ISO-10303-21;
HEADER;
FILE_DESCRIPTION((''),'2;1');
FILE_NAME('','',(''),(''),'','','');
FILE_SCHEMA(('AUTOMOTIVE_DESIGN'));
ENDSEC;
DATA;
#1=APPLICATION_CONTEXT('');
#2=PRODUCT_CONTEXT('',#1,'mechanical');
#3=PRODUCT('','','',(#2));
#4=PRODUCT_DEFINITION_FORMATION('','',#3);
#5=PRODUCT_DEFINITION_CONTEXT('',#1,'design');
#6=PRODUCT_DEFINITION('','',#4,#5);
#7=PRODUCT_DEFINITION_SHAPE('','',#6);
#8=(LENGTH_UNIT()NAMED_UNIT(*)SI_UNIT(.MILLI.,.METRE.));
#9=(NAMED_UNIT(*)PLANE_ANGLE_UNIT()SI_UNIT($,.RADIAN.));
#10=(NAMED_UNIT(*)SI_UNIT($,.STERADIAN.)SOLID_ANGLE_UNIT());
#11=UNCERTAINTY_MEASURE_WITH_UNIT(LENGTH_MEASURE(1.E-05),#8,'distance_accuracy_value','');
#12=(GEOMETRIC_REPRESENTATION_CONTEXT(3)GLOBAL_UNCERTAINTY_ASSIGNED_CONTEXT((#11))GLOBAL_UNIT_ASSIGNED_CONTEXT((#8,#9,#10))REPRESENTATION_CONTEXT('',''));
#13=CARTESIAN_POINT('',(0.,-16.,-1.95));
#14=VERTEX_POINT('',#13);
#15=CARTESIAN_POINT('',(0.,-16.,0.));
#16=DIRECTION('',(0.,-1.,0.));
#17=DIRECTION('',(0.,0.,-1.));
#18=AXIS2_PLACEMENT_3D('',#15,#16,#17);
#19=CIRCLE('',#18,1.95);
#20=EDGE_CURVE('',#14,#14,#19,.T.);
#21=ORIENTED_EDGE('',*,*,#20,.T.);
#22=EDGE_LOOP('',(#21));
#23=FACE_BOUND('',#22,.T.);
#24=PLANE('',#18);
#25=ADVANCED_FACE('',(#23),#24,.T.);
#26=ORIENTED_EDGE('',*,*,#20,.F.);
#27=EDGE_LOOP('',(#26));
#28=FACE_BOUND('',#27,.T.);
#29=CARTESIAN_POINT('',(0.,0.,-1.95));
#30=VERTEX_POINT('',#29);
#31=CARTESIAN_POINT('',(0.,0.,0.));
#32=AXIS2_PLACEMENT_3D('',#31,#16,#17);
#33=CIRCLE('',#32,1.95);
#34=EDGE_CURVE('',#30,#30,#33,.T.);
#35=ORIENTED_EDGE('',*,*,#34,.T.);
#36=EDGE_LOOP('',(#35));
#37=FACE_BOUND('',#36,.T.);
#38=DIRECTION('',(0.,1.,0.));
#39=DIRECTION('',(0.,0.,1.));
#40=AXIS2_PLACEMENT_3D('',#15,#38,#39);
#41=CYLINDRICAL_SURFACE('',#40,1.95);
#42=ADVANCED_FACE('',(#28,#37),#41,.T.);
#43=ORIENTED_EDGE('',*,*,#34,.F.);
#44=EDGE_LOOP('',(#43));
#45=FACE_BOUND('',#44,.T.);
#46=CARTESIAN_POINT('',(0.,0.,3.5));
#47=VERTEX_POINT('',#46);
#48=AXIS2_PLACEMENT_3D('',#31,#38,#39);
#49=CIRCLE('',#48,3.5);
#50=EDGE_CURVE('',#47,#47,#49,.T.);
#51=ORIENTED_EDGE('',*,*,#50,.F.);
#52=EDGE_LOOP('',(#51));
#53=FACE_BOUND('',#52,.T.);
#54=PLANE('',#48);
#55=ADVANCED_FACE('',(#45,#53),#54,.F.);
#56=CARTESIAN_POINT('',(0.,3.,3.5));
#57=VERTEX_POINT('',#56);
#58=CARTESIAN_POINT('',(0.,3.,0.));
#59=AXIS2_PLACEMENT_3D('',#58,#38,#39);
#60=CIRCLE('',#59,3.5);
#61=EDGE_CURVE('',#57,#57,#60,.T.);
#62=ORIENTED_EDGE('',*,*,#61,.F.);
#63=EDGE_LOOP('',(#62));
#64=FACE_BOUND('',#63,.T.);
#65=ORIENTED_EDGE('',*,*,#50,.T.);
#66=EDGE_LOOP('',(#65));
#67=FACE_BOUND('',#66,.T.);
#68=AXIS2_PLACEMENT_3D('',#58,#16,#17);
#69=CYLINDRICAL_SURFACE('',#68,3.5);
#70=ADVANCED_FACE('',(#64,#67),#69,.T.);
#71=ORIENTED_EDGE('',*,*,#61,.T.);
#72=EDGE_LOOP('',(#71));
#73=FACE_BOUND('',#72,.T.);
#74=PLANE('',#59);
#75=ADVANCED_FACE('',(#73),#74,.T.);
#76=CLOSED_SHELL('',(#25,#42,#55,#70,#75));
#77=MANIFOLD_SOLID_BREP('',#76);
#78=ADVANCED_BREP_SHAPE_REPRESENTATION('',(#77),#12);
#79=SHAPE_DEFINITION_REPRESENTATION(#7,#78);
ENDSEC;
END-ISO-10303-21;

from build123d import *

# Parameters (mm, degrees)
SKETCH1_R           = 3.5
BOSS_EXTRUDE1_DEPTH = 3
SKETCH2_R           = 1.95
BOSS_EXTRUDE2_DEPTH = 16


with BuildPart() as part:
    # Sketch1 → Boss-Extrude1 (new body)
    with BuildSketch(Plane(origin=(0, 0, 0), x_dir=(1, 0, 0), z_dir=(0, 1, 0))):
        Circle(SKETCH1_R)
    extrude(amount=BOSS_EXTRUDE1_DEPTH)

    # Sketch2 → Boss-Extrude2 (add)
    with BuildSketch(Plane.XZ):
        Circle(SKETCH2_R)
    extrude(amount=BOSS_EXTRUDE2_DEPTH)


solid = part.part
